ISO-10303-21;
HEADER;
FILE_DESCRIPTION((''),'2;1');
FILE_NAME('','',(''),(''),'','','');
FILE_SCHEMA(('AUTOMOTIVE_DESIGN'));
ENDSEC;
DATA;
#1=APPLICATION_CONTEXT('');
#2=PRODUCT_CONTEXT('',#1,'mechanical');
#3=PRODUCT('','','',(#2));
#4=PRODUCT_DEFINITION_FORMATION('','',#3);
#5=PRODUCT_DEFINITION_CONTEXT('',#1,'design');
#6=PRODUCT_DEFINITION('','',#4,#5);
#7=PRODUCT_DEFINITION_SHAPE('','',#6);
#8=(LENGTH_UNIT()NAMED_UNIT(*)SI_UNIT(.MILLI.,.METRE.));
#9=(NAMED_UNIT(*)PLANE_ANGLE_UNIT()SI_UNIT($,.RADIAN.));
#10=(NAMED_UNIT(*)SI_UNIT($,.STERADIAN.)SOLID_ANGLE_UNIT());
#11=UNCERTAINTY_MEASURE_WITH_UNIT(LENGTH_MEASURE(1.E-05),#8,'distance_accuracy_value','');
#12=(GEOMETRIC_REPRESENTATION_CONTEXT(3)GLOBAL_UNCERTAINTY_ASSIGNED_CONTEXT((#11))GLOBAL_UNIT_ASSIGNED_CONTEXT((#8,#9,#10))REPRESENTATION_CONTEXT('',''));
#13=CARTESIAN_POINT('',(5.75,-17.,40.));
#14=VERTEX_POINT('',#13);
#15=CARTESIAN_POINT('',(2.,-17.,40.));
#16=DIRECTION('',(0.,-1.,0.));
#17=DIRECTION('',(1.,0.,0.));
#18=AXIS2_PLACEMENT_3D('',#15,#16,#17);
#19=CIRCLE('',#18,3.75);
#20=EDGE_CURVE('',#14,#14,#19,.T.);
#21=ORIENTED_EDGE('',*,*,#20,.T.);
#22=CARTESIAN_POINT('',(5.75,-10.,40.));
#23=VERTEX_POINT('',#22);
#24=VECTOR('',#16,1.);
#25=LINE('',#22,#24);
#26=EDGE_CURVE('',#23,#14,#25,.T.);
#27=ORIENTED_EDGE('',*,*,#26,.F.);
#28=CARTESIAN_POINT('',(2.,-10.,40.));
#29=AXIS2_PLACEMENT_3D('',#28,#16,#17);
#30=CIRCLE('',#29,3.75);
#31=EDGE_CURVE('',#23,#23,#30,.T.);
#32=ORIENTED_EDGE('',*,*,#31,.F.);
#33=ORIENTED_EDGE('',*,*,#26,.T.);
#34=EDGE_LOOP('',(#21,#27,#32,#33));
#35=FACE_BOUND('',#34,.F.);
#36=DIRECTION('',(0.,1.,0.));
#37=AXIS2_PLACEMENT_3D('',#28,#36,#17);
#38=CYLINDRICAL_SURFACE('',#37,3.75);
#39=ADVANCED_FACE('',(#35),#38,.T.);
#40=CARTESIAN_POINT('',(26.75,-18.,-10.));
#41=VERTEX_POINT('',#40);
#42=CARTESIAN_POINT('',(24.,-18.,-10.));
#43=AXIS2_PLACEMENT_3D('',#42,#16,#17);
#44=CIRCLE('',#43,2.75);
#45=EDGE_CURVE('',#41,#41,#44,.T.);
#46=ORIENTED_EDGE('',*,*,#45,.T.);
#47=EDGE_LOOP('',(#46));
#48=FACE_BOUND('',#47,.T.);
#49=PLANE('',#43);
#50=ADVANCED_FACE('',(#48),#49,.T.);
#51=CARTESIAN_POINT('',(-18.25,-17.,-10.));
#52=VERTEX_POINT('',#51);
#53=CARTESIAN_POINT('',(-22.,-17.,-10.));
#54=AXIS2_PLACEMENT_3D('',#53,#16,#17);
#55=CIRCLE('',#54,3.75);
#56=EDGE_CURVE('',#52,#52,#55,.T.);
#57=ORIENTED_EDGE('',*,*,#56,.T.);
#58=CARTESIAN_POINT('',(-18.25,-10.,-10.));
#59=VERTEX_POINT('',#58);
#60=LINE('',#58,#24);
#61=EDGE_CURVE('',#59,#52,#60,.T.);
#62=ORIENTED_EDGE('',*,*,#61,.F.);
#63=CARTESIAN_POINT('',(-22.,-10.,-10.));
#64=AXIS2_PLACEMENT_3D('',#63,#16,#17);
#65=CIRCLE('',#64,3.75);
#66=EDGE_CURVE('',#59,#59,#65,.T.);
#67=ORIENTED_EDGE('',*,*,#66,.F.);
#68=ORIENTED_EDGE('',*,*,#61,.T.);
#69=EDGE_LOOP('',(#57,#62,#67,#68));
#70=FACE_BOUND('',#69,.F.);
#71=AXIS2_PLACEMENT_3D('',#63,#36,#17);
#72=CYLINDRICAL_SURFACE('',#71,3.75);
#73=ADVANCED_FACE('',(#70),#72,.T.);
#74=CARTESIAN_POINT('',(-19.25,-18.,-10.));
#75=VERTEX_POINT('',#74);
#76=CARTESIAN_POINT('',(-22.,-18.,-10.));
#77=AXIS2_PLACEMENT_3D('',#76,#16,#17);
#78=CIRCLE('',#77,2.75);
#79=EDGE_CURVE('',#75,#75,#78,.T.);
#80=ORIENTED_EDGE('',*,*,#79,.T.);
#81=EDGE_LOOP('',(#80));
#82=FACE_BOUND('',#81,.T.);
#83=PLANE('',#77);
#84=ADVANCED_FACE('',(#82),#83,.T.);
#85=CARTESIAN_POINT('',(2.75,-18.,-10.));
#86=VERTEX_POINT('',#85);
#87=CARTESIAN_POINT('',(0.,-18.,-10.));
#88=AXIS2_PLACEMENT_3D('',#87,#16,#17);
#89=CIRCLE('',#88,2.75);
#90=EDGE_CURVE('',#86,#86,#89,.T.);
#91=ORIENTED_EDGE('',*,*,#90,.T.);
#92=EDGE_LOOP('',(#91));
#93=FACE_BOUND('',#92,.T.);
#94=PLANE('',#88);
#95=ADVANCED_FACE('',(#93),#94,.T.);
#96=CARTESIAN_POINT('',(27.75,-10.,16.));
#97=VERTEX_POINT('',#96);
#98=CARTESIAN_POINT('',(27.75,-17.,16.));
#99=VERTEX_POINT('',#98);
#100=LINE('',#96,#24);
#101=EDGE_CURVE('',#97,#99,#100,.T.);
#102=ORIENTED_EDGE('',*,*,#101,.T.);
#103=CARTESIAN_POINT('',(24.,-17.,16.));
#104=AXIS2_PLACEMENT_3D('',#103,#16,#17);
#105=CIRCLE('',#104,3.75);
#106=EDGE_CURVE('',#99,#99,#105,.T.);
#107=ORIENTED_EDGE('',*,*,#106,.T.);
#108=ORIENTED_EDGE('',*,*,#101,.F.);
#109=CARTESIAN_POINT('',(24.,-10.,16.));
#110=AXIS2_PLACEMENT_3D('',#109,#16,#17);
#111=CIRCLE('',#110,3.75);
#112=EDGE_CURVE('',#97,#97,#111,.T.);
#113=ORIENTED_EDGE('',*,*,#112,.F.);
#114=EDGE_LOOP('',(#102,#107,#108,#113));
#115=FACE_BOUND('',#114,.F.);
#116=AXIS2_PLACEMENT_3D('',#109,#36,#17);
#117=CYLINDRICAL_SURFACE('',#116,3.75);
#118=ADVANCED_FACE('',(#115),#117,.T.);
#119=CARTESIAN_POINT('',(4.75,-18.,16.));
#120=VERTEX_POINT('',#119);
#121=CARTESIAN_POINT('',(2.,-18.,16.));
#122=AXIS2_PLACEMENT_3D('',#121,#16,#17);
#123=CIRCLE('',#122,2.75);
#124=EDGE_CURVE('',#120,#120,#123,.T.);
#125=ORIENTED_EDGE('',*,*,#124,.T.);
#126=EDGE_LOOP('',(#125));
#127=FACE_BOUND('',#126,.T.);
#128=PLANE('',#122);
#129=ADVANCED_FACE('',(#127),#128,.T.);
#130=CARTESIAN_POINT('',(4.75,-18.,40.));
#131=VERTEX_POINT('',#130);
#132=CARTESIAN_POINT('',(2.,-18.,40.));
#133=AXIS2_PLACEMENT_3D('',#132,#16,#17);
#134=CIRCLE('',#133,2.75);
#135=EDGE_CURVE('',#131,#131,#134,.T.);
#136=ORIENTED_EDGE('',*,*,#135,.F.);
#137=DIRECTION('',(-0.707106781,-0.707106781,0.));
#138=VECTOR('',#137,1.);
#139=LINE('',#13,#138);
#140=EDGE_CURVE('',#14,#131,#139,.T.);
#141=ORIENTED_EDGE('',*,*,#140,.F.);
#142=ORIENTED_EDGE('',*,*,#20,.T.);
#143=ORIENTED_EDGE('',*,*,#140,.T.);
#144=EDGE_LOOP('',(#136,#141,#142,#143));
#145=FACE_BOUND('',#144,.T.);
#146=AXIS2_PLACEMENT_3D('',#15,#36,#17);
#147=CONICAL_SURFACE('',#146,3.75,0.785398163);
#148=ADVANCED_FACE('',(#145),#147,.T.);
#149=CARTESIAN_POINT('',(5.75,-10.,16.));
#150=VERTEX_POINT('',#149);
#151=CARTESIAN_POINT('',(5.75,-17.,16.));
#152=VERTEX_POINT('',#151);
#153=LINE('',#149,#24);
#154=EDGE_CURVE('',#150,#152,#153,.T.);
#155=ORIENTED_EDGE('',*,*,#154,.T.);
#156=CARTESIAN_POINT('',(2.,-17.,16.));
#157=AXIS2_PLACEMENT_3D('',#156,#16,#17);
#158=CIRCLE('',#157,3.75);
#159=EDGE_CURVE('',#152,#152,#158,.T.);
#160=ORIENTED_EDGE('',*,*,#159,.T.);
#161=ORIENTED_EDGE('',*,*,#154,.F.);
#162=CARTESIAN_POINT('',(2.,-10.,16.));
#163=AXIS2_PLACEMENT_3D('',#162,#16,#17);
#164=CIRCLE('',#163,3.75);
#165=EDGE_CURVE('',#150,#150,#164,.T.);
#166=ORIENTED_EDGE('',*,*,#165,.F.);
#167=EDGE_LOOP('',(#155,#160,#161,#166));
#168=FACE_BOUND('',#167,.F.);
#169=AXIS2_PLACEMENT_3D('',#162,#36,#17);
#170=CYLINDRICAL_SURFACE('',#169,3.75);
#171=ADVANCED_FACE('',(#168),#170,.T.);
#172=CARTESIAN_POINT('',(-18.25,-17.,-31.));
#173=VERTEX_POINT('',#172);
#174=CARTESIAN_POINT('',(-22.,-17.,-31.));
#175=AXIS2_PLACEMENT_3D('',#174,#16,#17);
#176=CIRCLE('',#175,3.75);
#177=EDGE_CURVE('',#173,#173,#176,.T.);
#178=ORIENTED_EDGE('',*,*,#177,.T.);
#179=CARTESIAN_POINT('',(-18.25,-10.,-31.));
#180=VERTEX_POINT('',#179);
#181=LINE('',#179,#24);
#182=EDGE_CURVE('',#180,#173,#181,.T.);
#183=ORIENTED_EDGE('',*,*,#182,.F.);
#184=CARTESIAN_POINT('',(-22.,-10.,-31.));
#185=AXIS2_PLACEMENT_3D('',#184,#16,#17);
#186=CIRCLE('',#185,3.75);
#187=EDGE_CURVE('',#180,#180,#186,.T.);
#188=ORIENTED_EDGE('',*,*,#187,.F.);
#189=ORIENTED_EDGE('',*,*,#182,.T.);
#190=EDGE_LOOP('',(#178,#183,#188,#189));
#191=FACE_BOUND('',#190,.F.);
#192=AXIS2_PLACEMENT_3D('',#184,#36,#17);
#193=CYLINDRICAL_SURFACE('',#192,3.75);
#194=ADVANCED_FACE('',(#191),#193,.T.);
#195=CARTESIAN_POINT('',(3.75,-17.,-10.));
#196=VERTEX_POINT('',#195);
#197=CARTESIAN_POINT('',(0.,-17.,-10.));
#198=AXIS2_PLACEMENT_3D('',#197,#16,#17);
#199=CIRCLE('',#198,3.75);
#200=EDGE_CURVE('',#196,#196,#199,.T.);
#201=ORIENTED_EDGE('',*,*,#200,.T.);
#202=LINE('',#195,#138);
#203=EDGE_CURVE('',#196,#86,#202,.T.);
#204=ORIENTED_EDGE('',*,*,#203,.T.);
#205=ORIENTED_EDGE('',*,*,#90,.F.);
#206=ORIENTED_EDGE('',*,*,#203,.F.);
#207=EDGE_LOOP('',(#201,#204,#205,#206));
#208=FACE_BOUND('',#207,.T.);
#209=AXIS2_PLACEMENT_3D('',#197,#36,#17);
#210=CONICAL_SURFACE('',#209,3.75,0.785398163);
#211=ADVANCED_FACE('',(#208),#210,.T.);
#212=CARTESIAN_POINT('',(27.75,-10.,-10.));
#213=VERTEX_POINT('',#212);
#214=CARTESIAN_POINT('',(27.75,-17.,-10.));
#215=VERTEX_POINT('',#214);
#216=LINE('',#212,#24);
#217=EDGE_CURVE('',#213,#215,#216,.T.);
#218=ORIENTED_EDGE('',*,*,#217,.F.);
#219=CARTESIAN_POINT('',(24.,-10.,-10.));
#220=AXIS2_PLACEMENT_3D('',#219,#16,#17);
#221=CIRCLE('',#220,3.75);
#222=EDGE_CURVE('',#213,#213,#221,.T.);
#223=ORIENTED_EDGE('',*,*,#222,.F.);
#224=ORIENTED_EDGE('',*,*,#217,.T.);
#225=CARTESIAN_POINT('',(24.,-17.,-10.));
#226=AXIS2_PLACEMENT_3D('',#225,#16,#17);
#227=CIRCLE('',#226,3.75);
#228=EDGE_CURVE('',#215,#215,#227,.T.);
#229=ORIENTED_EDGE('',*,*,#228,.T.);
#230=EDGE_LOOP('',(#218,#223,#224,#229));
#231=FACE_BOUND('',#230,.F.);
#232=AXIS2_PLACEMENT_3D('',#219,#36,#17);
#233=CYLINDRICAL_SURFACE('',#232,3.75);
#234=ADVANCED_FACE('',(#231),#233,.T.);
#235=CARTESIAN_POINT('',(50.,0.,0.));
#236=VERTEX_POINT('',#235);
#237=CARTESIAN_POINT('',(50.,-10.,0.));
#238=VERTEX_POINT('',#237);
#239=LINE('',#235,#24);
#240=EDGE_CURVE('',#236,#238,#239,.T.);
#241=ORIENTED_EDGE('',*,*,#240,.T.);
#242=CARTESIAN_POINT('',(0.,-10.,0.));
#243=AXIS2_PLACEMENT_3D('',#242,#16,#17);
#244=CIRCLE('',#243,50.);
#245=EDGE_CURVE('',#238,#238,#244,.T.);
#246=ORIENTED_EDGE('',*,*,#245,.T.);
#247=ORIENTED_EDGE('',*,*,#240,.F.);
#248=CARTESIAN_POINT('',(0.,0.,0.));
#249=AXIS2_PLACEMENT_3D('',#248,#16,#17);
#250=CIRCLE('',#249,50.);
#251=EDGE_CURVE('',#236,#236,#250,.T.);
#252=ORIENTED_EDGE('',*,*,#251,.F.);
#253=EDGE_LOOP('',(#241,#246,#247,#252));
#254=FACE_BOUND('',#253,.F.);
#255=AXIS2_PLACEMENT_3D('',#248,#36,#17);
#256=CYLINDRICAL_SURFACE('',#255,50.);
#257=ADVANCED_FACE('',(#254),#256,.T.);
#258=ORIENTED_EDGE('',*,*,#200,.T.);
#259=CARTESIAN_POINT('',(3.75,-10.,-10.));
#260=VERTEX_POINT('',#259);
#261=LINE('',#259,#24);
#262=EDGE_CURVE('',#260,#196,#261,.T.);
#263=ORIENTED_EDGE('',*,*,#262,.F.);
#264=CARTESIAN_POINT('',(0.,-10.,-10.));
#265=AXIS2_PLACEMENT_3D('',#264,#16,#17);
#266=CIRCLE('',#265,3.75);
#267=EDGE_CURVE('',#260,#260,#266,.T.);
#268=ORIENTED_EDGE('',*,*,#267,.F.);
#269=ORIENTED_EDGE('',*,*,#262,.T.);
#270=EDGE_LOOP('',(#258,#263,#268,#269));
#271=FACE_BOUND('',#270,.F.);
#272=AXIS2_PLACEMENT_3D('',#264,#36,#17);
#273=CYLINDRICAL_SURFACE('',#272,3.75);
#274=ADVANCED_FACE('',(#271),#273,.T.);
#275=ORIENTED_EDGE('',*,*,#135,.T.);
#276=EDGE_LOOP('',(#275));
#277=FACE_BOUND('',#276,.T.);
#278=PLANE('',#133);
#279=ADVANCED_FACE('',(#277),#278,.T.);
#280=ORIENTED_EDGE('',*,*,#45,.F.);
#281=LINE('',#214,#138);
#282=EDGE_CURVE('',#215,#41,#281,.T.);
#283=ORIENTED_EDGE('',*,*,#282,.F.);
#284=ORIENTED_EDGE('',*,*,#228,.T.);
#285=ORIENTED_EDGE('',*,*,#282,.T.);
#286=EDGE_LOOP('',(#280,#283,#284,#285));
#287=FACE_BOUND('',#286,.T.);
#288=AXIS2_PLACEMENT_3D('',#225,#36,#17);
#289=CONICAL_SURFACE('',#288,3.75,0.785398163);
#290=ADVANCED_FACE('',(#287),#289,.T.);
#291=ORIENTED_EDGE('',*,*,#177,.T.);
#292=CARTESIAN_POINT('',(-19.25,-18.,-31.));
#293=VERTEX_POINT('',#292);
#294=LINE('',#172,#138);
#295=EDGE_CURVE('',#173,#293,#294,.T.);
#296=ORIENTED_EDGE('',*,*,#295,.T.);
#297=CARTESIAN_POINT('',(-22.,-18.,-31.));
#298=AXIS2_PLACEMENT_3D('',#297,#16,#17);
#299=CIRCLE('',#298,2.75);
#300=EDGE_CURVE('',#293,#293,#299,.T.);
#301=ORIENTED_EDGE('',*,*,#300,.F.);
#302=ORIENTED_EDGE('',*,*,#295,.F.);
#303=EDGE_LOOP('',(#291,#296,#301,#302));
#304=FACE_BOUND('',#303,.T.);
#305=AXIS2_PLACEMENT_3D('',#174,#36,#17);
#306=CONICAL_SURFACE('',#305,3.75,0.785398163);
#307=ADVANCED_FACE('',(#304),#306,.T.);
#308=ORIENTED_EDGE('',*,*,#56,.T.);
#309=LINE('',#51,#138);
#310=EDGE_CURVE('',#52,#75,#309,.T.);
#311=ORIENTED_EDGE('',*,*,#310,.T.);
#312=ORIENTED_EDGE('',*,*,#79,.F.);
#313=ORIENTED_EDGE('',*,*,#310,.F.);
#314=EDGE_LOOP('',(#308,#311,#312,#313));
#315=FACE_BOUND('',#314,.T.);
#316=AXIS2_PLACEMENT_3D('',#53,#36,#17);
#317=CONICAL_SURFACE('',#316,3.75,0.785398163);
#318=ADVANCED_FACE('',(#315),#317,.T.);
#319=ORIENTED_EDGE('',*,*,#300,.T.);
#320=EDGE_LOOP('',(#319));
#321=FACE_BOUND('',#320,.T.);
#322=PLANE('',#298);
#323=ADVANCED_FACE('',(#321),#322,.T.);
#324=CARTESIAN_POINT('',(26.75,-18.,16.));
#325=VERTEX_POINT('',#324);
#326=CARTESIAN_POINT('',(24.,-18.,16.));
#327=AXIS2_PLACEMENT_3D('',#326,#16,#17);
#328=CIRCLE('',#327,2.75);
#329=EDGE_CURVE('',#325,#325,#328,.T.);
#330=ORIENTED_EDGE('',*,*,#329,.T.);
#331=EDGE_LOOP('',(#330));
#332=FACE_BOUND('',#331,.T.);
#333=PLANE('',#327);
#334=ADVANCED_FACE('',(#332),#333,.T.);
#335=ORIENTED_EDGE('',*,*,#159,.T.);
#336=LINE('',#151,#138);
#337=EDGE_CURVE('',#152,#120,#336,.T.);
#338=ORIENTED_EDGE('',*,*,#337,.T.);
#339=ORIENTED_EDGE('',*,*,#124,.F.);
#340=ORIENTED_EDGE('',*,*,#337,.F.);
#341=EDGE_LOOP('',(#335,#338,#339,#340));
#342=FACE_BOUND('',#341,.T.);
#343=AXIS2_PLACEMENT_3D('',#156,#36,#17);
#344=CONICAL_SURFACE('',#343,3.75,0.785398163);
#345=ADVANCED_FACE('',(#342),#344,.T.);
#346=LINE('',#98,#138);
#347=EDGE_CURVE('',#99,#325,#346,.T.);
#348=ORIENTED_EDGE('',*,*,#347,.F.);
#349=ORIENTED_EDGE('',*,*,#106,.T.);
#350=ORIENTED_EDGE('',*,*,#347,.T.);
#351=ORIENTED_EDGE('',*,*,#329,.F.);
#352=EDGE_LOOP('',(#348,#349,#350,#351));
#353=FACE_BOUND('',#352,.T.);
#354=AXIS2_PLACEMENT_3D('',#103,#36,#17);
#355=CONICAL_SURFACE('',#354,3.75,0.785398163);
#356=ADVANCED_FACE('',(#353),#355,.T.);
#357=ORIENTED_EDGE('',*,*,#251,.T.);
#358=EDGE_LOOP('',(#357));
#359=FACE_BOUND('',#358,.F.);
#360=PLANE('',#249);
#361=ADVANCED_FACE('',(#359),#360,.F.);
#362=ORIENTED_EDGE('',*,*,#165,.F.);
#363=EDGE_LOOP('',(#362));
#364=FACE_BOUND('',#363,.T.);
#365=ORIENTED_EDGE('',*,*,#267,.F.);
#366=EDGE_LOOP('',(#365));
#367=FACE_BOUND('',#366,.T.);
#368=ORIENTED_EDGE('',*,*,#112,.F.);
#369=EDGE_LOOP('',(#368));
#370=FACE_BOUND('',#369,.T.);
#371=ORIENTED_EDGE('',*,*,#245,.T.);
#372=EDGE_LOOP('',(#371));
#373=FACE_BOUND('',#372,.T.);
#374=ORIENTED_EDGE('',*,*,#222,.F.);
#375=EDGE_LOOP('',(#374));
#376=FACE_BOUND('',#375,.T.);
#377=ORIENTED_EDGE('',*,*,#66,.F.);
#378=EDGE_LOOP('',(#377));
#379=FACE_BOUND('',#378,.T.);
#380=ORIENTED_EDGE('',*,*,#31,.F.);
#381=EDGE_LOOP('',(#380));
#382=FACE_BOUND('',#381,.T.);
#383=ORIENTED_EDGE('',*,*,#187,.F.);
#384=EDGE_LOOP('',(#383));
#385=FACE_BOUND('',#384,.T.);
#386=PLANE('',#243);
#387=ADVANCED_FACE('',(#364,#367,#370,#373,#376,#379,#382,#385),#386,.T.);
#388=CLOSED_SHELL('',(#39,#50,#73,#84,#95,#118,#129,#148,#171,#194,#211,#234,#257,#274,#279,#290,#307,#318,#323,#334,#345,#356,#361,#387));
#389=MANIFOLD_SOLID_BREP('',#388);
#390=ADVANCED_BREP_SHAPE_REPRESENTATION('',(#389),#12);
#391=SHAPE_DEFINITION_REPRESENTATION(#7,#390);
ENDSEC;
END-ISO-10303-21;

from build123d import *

# Parameters (mm, degrees)
F0_R     = 50
F1_DEPTH = 10
F2_R     = 3.75
F3_DEPTH = 8
F4_SIZE  = 1


with BuildPart() as f1:
    # F0 (on Front) → F1 (new body)
    with BuildSketch(Plane.XZ):
        Circle(F0_R)
    extrude(amount=F1_DEPTH)

    # F2 (on face) → F3 (join)
    with BuildSketch(Plane.XZ.offset(10)):
        with Locations((2, 40)):
            Circle(F2_R)
        with Locations((2, 16)):
            Circle(F2_R)
        with Locations((24, 16)):
            Circle(F2_R)
        with Locations((24, -10)):
            Circle(F2_R)
        with Locations((0, -10)):
            Circle(F2_R)
        with Locations((-22, -10)):
            Circle(F2_R)
        with Locations((-22, -31)):
            Circle(F2_R)
    extrude(amount=F3_DEPTH)

    # F4
    f4_edges = [f1.edges().sort_by_distance(p)[0] for p in [
        (-1.75, -18, 40),
        (-1.75, -18, 16),
        (20.25, -18, 16),
        (20.25, -18, -10),
        (-3.75, -18, -10),
        (-25.75, -18, -10),
        (-25.75, -18, -31),
    ]]
    chamfer(f4_edges, length=F4_SIZE)


solid = f1.part
